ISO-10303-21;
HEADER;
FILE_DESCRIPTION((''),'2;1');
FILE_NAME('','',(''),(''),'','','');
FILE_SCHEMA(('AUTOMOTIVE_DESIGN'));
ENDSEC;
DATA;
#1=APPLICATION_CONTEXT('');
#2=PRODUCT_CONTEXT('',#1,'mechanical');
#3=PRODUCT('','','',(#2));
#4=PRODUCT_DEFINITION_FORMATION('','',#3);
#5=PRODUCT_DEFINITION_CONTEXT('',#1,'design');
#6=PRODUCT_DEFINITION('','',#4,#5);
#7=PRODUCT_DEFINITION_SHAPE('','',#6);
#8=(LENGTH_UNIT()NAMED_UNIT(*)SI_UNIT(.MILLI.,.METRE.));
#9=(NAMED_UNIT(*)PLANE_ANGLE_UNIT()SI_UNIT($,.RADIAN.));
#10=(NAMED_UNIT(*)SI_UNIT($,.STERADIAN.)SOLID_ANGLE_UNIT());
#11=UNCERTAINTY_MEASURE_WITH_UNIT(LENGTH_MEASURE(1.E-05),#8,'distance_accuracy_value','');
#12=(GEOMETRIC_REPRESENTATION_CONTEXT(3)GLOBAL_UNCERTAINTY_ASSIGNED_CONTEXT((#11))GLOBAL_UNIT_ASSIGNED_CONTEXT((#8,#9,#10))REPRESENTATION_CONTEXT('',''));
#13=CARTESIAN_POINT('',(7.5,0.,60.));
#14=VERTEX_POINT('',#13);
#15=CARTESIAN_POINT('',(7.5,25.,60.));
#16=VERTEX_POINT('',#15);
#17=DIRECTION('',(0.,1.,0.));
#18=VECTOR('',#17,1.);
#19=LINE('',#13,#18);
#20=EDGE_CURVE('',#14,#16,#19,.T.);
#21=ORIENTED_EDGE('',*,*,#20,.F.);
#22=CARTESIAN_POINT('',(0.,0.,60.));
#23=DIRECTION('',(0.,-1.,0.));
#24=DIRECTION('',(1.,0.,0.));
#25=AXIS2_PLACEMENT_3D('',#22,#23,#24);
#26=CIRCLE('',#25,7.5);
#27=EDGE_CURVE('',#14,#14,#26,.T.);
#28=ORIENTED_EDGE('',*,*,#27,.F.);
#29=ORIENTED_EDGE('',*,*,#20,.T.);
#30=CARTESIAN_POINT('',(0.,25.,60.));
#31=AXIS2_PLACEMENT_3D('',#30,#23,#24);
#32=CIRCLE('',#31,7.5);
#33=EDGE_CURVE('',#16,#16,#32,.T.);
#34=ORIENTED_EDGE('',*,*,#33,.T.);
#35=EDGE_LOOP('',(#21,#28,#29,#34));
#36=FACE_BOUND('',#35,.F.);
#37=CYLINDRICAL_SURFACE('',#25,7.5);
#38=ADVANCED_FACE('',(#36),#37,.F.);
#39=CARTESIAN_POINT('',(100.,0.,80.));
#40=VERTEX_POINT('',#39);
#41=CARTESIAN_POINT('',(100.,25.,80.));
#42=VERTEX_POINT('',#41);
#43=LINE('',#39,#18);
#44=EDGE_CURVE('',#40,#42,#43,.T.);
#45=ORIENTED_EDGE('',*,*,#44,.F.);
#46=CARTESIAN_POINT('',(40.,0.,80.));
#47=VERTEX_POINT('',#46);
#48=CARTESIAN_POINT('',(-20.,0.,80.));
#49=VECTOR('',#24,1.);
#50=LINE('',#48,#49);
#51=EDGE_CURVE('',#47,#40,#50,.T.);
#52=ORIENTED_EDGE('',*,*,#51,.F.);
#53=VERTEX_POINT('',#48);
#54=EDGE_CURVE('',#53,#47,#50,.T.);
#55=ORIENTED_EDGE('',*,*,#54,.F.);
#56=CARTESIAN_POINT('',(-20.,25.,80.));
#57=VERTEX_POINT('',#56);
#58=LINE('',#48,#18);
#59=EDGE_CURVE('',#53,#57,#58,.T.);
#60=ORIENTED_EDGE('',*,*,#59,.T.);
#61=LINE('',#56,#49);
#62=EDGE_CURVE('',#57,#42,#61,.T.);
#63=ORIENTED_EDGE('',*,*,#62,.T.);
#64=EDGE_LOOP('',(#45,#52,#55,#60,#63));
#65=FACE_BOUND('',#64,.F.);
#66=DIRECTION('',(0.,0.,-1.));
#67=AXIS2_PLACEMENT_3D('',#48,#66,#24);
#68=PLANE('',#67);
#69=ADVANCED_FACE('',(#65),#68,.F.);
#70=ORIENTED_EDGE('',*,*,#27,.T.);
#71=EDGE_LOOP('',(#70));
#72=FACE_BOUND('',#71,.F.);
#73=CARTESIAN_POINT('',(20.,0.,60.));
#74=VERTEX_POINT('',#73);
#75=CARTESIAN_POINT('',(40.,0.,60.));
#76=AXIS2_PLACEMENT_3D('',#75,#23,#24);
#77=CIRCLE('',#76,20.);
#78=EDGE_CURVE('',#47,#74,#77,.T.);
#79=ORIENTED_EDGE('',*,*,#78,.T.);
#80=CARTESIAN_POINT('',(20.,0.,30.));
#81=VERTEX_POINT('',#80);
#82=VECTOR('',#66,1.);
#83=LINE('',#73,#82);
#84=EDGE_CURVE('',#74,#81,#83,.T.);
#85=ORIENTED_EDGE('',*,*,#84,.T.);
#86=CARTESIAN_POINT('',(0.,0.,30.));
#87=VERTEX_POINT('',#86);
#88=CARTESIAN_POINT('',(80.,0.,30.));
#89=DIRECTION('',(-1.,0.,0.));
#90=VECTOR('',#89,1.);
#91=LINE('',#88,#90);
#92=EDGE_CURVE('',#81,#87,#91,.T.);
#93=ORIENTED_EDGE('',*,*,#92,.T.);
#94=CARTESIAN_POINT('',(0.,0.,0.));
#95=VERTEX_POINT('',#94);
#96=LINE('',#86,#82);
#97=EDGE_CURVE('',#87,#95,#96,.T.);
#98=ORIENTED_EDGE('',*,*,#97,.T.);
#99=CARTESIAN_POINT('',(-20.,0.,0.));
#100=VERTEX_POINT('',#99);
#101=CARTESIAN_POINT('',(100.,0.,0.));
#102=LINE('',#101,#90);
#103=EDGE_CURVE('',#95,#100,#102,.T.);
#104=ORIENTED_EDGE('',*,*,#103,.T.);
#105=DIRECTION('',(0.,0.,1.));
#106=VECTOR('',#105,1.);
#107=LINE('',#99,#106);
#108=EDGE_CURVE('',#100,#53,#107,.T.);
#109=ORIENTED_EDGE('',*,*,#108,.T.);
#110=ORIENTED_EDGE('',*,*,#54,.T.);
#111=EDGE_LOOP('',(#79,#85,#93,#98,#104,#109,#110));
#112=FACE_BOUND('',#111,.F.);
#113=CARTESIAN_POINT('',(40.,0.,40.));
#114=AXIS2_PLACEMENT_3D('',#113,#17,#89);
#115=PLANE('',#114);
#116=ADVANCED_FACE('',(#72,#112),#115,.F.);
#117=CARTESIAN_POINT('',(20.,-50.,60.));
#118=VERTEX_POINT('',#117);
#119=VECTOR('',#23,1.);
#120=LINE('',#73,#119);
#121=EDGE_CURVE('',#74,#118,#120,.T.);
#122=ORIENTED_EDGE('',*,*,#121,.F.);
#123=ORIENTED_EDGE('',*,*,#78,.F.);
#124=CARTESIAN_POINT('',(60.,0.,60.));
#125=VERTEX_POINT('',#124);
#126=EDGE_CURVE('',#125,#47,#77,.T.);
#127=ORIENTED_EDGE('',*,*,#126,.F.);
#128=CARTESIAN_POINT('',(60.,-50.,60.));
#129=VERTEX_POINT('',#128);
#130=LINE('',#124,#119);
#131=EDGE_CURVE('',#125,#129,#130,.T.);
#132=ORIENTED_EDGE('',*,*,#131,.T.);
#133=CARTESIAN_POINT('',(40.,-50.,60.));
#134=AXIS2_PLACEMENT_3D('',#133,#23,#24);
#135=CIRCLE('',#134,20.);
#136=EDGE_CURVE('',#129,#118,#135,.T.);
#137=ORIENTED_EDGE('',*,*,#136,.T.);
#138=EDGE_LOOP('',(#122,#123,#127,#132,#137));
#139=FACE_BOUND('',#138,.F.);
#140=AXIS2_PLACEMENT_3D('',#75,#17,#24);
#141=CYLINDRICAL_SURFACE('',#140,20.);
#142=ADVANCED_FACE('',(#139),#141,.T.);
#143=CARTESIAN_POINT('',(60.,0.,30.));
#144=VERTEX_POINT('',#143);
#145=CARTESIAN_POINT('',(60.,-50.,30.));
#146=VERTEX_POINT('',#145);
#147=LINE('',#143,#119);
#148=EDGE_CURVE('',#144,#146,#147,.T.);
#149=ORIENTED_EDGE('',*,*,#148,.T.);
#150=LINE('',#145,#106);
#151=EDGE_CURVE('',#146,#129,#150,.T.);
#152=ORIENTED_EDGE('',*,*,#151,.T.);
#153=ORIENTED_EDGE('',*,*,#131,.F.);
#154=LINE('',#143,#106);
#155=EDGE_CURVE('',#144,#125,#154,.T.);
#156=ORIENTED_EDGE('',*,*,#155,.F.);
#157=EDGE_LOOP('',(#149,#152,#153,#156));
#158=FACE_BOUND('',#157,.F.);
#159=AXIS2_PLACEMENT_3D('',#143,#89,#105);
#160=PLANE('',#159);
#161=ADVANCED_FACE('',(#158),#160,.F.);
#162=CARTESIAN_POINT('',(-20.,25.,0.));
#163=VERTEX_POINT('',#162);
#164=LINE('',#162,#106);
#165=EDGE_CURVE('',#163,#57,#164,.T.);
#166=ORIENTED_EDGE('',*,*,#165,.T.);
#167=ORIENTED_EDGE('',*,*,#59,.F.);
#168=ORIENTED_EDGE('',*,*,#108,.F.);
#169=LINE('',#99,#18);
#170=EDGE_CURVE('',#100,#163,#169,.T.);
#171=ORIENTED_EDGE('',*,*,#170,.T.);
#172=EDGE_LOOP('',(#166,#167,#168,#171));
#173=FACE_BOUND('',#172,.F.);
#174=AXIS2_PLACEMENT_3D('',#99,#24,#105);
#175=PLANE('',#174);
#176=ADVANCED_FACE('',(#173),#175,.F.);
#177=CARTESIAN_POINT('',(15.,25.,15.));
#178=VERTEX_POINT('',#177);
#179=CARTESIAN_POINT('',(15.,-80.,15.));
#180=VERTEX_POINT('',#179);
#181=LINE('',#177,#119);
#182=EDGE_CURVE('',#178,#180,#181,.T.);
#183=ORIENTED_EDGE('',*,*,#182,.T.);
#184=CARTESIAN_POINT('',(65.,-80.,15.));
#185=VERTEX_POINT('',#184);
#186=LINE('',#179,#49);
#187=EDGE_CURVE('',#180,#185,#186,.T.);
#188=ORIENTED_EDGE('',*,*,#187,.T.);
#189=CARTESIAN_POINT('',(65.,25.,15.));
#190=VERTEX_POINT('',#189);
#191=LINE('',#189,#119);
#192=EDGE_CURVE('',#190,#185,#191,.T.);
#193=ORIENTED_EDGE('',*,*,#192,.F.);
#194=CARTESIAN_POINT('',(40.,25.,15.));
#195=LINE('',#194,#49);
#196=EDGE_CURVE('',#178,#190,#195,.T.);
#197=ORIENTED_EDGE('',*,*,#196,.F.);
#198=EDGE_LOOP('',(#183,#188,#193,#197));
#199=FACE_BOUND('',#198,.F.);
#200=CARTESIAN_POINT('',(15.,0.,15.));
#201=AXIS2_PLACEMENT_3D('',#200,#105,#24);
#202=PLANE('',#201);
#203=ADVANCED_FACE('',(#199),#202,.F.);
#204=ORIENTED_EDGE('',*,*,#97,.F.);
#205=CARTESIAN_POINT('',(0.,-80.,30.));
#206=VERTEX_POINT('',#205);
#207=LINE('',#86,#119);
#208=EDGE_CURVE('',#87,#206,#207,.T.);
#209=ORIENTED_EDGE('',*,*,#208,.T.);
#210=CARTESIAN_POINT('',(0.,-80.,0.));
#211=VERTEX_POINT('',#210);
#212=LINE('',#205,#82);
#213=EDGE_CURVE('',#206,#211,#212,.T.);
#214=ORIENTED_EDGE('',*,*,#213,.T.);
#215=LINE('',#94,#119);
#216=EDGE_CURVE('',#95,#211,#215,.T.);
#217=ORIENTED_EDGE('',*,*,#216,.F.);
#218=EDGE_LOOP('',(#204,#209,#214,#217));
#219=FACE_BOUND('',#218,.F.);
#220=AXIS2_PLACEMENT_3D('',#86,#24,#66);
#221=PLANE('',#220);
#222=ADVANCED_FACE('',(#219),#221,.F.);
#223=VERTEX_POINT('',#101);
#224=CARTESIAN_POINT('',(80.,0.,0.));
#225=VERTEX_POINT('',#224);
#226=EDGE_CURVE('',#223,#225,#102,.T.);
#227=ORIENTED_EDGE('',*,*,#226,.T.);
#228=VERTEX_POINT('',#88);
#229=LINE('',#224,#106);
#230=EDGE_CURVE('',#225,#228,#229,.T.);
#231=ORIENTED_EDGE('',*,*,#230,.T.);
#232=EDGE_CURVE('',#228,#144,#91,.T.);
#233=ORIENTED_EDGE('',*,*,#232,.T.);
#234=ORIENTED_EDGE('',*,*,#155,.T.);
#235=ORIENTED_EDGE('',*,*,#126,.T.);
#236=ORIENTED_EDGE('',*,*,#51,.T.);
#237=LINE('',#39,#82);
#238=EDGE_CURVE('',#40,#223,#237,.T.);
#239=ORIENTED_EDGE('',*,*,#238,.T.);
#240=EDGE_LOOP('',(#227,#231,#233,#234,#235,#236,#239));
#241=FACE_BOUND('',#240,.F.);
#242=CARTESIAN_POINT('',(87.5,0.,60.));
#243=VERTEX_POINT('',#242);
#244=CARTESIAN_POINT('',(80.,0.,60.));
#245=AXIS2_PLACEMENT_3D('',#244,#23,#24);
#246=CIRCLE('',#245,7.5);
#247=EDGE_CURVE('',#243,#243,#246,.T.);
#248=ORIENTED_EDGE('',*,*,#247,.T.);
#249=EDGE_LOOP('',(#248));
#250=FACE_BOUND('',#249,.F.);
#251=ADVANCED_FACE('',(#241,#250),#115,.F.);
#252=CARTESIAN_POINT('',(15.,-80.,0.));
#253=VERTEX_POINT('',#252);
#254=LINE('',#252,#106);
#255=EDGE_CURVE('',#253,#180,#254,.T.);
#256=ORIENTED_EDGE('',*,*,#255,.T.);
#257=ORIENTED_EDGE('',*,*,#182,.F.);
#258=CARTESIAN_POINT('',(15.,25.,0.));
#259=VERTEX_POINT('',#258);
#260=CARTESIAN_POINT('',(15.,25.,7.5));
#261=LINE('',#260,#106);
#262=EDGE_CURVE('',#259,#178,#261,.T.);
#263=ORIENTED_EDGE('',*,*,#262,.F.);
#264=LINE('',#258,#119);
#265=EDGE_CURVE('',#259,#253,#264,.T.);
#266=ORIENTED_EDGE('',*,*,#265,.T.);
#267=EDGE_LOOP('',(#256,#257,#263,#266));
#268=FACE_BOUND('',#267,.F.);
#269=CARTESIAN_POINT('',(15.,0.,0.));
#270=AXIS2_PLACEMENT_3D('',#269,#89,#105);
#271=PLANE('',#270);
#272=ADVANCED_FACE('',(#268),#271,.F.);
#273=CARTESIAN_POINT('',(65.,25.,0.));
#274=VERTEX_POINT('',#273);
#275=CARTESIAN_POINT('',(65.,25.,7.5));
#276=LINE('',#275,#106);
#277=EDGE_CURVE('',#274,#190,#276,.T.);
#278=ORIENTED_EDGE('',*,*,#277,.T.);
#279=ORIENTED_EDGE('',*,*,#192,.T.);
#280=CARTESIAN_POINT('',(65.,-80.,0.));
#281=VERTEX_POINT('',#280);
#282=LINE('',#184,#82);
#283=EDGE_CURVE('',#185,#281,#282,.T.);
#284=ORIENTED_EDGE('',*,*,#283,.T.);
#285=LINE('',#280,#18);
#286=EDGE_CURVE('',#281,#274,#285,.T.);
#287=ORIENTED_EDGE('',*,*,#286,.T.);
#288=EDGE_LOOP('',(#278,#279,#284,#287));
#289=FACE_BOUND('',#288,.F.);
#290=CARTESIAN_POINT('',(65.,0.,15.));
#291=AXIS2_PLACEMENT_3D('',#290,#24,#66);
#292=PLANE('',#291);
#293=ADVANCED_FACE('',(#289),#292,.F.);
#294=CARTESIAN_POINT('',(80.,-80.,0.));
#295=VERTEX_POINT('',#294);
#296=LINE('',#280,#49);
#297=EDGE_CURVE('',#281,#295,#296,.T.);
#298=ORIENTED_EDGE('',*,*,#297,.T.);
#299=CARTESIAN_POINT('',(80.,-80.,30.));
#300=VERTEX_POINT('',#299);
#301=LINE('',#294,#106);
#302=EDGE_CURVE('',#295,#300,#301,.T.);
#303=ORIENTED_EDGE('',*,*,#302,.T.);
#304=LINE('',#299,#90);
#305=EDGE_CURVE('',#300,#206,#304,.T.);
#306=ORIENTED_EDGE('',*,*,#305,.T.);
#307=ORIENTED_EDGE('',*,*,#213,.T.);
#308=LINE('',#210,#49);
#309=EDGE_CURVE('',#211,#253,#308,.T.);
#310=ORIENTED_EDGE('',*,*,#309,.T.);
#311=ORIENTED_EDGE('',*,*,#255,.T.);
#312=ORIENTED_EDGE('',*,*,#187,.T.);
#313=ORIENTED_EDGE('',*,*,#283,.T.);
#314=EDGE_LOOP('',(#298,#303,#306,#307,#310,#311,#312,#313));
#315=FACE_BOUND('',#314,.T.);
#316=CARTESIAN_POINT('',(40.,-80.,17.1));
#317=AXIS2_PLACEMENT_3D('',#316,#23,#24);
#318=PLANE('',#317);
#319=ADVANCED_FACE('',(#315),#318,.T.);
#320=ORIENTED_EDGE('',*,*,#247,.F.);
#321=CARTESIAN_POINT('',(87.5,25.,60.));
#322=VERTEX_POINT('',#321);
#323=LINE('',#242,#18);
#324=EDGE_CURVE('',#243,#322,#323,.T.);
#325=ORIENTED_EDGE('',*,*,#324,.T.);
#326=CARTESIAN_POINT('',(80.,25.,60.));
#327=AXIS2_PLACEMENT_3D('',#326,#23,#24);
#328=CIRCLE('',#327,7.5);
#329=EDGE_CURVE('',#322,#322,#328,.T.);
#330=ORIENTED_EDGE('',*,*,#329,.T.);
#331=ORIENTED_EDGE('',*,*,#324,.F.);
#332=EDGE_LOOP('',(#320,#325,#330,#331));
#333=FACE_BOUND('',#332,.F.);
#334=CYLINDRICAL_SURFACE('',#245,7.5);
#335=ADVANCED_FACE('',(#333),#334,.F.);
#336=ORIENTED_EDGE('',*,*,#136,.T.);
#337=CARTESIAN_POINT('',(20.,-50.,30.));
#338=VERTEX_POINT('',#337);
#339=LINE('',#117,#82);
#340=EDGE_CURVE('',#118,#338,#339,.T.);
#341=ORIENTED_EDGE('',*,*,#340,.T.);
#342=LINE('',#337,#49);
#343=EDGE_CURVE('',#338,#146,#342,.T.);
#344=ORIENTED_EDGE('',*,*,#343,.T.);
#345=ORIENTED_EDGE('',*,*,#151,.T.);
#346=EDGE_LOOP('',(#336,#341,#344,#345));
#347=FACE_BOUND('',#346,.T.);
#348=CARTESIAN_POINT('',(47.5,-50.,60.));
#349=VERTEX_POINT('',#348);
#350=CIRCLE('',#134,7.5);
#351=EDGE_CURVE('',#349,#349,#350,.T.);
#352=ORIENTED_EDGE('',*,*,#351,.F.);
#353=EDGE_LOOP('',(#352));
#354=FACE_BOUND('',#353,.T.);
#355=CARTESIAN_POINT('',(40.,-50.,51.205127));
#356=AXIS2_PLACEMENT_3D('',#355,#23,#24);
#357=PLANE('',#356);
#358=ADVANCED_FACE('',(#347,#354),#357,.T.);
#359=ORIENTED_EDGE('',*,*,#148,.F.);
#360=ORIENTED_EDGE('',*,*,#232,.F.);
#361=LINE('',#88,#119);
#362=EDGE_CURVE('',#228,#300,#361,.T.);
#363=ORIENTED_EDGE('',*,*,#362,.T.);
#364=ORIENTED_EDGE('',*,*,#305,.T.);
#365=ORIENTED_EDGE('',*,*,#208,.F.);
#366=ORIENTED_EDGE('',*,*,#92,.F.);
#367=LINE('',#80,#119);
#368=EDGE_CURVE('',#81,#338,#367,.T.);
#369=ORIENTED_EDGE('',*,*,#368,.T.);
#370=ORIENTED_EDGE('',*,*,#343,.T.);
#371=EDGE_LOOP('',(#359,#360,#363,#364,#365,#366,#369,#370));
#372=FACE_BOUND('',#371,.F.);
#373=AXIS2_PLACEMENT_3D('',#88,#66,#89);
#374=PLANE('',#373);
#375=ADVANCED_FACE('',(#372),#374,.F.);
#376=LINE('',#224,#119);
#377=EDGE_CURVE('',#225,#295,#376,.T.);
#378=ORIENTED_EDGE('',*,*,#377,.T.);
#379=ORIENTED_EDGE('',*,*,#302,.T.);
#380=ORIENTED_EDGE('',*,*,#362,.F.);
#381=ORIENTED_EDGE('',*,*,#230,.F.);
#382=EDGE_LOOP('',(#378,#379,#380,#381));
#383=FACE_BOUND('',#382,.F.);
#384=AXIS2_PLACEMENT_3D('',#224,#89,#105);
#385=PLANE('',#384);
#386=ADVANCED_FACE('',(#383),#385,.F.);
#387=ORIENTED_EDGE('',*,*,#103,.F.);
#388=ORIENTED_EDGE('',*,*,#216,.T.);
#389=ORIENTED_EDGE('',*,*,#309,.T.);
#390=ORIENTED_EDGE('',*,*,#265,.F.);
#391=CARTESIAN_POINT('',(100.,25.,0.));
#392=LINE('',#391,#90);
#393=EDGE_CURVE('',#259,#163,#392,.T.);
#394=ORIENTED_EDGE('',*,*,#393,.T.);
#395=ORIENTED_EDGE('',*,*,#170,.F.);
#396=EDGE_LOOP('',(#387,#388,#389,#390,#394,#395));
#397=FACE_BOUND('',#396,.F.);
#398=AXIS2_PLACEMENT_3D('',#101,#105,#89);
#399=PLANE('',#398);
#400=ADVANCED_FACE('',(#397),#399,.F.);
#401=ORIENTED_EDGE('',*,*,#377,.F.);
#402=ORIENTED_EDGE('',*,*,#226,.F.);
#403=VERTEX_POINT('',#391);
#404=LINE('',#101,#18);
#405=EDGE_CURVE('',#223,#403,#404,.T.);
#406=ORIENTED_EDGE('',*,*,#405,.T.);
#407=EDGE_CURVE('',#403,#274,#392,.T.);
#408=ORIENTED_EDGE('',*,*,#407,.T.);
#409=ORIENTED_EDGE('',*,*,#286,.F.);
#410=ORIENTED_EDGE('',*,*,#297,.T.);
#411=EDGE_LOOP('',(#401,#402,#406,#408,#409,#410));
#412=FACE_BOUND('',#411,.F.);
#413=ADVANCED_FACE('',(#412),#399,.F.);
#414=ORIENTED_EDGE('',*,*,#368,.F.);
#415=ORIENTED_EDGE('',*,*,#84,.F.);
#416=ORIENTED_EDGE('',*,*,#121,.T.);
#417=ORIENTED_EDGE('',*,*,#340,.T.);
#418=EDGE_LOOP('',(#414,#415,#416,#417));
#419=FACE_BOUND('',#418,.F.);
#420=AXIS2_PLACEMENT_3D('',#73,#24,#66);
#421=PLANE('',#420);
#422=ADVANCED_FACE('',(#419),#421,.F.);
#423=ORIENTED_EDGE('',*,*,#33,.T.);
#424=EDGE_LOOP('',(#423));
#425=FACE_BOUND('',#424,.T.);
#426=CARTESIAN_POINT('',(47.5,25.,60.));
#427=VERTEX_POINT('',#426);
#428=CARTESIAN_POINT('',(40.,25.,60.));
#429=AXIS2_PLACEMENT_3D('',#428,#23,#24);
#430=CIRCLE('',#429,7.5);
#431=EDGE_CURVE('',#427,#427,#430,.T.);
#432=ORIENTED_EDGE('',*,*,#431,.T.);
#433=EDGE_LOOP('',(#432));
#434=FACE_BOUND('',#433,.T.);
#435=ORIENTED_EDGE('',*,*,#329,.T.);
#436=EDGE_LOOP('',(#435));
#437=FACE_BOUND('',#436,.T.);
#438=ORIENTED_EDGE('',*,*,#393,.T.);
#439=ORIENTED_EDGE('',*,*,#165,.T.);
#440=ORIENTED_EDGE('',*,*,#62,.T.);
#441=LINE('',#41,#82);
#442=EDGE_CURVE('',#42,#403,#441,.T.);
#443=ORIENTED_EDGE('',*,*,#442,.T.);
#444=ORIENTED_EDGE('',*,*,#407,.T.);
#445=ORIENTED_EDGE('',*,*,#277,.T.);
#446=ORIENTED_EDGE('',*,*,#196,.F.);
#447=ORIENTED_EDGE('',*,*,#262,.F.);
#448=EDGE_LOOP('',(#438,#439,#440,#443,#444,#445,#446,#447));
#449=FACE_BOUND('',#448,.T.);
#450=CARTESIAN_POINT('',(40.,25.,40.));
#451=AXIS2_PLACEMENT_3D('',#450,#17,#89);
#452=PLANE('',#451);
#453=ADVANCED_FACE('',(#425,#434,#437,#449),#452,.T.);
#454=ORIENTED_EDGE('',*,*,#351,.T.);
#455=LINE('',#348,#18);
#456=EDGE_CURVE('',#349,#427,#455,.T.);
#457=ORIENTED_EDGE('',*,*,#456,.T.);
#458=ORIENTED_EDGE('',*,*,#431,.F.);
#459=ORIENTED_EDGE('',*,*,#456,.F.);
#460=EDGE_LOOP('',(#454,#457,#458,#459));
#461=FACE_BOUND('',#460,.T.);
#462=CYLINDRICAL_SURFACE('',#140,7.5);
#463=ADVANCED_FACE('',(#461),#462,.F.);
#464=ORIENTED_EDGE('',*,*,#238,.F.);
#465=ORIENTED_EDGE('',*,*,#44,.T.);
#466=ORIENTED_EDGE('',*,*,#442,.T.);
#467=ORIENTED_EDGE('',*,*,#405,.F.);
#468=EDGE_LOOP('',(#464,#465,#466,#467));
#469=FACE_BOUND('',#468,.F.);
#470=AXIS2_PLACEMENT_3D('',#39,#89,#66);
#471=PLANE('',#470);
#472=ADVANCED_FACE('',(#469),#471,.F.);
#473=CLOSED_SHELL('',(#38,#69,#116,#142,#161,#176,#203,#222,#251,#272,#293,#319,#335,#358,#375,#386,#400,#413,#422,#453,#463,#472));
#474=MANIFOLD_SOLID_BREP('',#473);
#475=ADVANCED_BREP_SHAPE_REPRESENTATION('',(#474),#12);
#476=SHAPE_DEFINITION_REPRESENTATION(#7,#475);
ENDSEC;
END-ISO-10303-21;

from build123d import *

# Parameters (mm, degrees)
F1_DEPTH  = 80
F3_DEPTH  = 25
F4_R      = 7.5
F5_DEPTH  = 50
F6_R      = 7.5
F7_DEPTH  = 25
F9_W      = 50
F9_H      = 15
F10_DEPTH = 25
F11_R     = 7.5
F12_DEPTH = 25


with BuildPart() as f1:
    # F0 (on Front) → F1 (new body)
    with BuildSketch(Plane.XZ):
        Polygon((0, 30), (0, 0), (15, 0), (15, 15), (65, 15), (65, 0), (80, 0), (80, 30), align=None)
    extrude(amount=F1_DEPTH)

    # F2 (on face) → F3 (join)
    with BuildSketch(Plane(origin=(0, 0, 0), x_dir=(-1, 0, 0), z_dir=(0, 1, 0))):
        Polygon((-100, 0), (0, 0), (20, 0), (20, 80), (-100, 80), align=None)
    extrude(amount=F3_DEPTH)

    # F4 (on face) → F5 (join)
    with BuildSketch(Plane.XZ):
        with BuildLine():
            Line((20, 30), (40, 30))
            Line((40, 30), (60, 30))
            Line((60, 30), (60, 60))
            ThreePointArc((60, 60), (40, 80), (20, 60))
            Line((20, 60), (20, 30))
        make_face()
        with Locations((40, 60)):
            Circle(F4_R, mode=Mode.SUBTRACT)
    extrude(amount=F5_DEPTH)

    # F6 (on face) → F7 (cut, through all)
    with BuildSketch(Plane.XZ):
        with Locations((80, 60)):
            Circle(F6_R)
        with Locations((0, 60)):
            Circle(F6_R)
    extrude(amount=-F7_DEPTH, mode=Mode.SUBTRACT)

    # F9 (on face) → F10 (cut, through all)
    with BuildSketch(Plane.XZ):
        with Locations((40, 7.5)):
            Rectangle(F9_W, F9_H)
    extrude(amount=-F10_DEPTH, mode=Mode.SUBTRACT)

    # F11 (on face) → F12 (cut, through all)
    with BuildSketch(Plane.XZ):
        with Locations((40, 60)):
            Circle(F11_R)
    extrude(amount=-F12_DEPTH, mode=Mode.SUBTRACT)


solid = f1.part
